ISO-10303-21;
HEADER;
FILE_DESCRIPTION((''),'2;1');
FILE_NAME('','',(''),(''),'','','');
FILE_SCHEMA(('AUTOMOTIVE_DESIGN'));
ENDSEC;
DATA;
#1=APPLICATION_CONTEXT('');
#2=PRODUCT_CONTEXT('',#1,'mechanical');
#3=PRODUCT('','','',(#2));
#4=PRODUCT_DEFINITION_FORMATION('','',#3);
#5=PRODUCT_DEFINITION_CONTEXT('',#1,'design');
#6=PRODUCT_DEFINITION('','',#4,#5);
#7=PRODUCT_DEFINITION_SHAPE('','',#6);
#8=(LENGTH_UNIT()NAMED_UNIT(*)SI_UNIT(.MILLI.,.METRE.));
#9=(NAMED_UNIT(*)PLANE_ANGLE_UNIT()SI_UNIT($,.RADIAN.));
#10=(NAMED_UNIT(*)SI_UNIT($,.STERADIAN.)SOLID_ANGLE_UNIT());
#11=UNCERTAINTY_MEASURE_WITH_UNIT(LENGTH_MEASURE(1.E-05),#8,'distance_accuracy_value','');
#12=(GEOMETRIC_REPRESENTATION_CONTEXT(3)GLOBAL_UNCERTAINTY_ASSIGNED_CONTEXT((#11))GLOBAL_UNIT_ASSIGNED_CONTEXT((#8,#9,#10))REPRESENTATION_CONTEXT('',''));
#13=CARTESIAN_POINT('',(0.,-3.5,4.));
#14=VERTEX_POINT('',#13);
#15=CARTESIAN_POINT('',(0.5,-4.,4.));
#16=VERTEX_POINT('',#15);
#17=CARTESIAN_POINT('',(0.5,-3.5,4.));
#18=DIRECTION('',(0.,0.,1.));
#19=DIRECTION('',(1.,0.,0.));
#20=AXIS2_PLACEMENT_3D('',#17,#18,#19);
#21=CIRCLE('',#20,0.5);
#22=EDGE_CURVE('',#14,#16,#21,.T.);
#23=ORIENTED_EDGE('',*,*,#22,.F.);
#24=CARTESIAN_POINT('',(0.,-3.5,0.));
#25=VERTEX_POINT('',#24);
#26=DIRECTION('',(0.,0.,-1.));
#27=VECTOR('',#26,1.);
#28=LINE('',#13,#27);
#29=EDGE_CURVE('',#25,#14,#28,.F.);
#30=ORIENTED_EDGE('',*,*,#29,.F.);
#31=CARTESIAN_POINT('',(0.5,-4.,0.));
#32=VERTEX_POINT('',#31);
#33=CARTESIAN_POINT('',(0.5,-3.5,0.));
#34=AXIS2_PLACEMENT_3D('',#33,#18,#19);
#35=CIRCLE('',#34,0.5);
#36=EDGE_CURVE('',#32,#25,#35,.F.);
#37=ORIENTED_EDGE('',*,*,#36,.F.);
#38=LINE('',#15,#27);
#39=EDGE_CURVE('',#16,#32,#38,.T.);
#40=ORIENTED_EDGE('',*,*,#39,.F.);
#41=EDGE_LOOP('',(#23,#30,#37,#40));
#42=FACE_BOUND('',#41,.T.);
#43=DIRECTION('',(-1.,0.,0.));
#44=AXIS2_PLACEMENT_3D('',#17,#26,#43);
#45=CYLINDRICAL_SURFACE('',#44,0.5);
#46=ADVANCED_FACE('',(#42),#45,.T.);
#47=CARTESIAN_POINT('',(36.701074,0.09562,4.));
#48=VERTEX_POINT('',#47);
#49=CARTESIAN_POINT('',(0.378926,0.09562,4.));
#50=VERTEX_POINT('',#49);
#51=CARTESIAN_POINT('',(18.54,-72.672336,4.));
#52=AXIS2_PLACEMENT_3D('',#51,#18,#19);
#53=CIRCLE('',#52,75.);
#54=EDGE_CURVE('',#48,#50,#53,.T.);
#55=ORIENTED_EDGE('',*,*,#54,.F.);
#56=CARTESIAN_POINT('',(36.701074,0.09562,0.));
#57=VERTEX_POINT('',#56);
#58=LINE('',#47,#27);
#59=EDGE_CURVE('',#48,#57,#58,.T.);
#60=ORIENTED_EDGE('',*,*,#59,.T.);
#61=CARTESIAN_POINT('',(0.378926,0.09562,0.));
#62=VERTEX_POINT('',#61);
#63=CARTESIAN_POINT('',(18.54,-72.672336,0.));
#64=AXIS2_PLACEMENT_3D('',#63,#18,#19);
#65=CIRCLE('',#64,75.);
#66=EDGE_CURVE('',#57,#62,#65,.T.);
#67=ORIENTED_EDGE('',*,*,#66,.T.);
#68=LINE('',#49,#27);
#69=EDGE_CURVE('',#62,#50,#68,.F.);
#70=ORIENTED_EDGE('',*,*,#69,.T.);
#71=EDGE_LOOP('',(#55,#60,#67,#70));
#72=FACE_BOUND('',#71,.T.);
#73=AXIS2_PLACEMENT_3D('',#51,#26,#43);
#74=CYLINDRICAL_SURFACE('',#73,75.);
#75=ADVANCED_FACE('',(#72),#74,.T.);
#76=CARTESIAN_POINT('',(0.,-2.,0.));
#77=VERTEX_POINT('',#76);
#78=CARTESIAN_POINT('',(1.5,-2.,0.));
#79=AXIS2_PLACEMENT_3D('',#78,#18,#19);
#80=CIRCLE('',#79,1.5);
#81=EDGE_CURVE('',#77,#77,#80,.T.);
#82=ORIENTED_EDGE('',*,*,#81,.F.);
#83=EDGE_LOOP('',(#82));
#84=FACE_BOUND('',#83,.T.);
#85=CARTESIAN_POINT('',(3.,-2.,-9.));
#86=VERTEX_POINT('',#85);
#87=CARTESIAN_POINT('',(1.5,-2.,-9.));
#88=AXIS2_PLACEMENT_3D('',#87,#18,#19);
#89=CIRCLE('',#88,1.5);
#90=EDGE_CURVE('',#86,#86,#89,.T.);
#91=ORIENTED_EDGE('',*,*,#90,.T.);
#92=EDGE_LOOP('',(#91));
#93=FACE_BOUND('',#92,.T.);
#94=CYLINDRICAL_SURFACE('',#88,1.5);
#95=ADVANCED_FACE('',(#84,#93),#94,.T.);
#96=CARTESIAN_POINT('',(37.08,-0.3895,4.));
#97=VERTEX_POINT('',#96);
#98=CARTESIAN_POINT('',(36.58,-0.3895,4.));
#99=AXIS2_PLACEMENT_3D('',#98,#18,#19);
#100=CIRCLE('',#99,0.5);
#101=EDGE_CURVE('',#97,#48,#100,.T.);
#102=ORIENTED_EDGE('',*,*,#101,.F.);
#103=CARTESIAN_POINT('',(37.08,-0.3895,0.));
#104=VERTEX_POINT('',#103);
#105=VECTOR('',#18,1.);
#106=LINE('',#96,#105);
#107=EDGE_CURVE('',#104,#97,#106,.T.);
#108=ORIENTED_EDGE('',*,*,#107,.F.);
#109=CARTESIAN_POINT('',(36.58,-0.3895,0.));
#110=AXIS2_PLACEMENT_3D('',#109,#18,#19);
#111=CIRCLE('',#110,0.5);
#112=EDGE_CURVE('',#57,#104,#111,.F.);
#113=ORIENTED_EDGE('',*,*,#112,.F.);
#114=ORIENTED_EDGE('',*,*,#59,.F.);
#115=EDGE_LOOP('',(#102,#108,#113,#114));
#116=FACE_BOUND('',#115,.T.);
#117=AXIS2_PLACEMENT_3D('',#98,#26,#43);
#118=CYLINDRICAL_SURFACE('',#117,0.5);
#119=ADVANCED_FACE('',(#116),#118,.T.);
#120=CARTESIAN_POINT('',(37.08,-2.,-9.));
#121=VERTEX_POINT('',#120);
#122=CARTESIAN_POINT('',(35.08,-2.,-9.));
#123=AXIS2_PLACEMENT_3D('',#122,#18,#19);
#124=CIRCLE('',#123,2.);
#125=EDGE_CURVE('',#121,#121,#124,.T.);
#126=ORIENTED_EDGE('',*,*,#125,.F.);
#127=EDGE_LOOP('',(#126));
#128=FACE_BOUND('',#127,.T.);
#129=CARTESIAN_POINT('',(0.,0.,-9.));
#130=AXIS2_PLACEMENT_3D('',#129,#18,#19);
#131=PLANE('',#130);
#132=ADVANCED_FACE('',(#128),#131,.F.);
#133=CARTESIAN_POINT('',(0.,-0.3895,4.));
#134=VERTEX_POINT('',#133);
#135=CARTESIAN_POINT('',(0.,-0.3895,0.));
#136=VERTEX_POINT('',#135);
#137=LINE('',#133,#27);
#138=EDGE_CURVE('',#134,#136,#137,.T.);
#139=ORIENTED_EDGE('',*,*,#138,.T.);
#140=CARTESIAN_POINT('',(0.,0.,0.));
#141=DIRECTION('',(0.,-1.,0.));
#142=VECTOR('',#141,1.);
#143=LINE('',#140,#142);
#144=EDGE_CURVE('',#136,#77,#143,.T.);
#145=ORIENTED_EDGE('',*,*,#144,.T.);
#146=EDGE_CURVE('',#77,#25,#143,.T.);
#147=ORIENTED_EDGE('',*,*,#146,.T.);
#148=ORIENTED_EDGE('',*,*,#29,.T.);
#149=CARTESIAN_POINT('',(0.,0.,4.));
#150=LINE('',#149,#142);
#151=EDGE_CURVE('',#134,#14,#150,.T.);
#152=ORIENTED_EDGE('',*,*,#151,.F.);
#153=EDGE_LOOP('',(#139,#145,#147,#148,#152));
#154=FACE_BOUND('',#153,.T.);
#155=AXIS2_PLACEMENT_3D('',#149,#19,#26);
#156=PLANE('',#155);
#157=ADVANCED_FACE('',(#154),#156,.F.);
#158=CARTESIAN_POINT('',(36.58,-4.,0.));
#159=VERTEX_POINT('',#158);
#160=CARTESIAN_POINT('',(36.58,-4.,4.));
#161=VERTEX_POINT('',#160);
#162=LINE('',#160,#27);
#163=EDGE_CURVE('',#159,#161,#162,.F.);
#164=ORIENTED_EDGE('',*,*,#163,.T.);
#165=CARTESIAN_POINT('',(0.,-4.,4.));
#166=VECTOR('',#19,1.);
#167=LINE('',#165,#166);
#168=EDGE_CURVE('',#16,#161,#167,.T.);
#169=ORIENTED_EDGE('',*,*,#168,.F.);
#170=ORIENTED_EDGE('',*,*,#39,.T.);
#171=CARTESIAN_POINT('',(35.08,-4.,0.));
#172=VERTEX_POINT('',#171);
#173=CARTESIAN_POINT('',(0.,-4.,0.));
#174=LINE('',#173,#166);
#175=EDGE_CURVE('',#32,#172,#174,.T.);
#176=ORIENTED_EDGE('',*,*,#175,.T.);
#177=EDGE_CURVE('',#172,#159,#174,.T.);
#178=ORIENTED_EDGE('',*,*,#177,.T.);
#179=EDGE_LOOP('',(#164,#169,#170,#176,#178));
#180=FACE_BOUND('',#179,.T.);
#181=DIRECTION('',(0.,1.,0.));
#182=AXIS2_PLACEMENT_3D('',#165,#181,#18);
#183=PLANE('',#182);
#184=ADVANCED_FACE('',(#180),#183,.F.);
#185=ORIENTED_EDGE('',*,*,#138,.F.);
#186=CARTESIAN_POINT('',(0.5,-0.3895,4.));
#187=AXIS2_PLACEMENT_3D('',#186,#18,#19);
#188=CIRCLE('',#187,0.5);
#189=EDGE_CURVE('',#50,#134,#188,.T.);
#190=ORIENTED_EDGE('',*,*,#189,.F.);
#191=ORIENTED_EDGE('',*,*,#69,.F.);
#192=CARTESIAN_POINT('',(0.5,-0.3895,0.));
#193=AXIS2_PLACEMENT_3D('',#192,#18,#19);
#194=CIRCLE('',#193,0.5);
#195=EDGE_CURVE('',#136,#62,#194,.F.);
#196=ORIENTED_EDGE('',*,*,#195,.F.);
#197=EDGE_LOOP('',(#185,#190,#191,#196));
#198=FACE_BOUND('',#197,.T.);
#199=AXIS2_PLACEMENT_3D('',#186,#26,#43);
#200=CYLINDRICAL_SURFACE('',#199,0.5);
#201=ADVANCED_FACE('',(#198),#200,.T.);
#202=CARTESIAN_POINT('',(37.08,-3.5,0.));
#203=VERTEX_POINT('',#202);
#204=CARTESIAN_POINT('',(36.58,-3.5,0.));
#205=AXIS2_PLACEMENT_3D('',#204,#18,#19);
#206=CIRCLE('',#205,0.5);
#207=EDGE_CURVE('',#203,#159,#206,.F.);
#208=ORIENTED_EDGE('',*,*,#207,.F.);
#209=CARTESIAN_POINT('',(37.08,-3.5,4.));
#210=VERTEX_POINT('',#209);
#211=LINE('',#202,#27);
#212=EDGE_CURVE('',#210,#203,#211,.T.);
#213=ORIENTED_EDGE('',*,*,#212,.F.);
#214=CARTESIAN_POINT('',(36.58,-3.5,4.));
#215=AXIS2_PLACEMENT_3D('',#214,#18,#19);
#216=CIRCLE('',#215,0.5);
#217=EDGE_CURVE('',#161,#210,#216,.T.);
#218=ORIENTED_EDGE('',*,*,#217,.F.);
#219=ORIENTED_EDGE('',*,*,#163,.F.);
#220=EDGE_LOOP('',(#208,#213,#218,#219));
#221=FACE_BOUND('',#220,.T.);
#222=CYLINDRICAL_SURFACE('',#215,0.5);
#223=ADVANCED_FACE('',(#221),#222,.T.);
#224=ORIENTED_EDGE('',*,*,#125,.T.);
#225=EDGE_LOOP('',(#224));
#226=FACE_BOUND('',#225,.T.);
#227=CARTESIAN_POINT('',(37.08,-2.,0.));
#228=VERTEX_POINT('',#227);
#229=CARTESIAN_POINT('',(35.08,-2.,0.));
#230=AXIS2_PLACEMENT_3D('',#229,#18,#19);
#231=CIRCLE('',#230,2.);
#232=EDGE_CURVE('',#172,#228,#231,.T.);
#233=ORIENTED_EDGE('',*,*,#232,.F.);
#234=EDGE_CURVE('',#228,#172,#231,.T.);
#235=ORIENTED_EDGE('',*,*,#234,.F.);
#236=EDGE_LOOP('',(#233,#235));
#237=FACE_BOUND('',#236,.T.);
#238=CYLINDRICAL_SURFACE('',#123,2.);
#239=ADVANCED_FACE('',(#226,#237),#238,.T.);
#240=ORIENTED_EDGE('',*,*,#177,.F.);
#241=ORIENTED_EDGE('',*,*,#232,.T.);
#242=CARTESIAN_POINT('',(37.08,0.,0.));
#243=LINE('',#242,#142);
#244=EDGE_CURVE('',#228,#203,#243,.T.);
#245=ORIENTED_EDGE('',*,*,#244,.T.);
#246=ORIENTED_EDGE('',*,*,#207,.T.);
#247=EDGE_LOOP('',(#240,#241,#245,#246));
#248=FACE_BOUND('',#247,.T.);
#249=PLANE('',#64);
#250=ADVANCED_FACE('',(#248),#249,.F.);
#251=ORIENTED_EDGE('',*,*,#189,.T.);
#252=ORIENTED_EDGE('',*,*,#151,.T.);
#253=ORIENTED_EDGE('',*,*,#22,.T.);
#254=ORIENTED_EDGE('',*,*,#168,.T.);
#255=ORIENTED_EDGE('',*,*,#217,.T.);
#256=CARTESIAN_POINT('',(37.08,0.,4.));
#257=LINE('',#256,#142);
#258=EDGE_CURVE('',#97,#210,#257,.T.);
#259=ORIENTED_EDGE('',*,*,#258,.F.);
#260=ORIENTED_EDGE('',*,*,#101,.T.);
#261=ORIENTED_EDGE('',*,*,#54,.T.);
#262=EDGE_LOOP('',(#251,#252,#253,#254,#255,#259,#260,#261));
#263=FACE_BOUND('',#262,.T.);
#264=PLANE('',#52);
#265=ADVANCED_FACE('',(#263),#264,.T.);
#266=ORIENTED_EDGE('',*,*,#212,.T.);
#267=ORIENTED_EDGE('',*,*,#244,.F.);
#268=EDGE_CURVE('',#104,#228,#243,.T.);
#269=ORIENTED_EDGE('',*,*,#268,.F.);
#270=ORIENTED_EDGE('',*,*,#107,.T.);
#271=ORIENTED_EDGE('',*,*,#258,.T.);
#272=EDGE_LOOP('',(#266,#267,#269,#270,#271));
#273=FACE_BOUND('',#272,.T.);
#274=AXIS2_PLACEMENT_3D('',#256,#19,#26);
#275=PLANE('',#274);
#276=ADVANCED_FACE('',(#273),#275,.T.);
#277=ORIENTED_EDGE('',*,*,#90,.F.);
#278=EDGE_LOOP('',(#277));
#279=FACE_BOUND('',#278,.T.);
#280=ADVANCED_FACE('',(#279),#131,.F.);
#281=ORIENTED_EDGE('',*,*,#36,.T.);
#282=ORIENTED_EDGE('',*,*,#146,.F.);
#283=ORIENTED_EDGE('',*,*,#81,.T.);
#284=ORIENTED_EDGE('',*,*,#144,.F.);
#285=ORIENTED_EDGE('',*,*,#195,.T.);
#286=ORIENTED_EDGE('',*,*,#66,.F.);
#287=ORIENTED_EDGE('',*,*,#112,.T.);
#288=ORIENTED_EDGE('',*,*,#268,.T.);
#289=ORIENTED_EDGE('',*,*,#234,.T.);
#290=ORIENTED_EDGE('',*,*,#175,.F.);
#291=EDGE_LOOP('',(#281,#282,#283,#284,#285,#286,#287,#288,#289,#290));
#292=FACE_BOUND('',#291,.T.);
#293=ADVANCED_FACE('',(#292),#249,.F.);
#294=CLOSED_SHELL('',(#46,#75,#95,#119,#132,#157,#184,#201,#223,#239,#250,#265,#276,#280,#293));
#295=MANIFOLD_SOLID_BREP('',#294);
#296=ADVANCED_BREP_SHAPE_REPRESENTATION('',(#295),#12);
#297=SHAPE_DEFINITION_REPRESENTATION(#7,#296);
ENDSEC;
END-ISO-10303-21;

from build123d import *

# Parameters (mm, degrees)
BOSS_EXTRUDE1_DEPTH = 4
SKETCH1_3_R         = 1.5
SKETCH1_3_R_2       = 2
BOSS_EXTRUDE2_DEPTH = 9
FILLET1_R           = 0.5


with BuildPart() as part:
    # Sketch1 → Boss-Extrude1 (new body)
    with BuildSketch(Plane.XY):
        with BuildLine():
            Line((0, 0), (0, -4))
            Line((0, -4), (37.08, -4))
            Line((37.08, -4), (37.08, 0))
            ThreePointArc((37.08, 0), (18.54, 2.327664136), (0, 0))
        make_face()
    extrude(amount=BOSS_EXTRUDE1_DEPTH)

    # Sketch1<3> → Boss-Extrude2 (add)
    with BuildSketch(Plane.XY):
        with Locations((1.5, -2)):
            Circle(SKETCH1_3_R)
        with Locations((35.08, -2)):
            Circle(SKETCH1_3_R_2)
    extrude(amount=-BOSS_EXTRUDE2_DEPTH)

    # Fillet1
    fillet1_edges = [part.edges().sort_by_distance(p)[0] for p in [
        (37.08, 0, 2),
        (37.08, -4, 2),
        (0, -4, 2),
        (0, 0, 2),
    ]]
    fillet(fillet1_edges, radius=FILLET1_R)


solid = part.part
